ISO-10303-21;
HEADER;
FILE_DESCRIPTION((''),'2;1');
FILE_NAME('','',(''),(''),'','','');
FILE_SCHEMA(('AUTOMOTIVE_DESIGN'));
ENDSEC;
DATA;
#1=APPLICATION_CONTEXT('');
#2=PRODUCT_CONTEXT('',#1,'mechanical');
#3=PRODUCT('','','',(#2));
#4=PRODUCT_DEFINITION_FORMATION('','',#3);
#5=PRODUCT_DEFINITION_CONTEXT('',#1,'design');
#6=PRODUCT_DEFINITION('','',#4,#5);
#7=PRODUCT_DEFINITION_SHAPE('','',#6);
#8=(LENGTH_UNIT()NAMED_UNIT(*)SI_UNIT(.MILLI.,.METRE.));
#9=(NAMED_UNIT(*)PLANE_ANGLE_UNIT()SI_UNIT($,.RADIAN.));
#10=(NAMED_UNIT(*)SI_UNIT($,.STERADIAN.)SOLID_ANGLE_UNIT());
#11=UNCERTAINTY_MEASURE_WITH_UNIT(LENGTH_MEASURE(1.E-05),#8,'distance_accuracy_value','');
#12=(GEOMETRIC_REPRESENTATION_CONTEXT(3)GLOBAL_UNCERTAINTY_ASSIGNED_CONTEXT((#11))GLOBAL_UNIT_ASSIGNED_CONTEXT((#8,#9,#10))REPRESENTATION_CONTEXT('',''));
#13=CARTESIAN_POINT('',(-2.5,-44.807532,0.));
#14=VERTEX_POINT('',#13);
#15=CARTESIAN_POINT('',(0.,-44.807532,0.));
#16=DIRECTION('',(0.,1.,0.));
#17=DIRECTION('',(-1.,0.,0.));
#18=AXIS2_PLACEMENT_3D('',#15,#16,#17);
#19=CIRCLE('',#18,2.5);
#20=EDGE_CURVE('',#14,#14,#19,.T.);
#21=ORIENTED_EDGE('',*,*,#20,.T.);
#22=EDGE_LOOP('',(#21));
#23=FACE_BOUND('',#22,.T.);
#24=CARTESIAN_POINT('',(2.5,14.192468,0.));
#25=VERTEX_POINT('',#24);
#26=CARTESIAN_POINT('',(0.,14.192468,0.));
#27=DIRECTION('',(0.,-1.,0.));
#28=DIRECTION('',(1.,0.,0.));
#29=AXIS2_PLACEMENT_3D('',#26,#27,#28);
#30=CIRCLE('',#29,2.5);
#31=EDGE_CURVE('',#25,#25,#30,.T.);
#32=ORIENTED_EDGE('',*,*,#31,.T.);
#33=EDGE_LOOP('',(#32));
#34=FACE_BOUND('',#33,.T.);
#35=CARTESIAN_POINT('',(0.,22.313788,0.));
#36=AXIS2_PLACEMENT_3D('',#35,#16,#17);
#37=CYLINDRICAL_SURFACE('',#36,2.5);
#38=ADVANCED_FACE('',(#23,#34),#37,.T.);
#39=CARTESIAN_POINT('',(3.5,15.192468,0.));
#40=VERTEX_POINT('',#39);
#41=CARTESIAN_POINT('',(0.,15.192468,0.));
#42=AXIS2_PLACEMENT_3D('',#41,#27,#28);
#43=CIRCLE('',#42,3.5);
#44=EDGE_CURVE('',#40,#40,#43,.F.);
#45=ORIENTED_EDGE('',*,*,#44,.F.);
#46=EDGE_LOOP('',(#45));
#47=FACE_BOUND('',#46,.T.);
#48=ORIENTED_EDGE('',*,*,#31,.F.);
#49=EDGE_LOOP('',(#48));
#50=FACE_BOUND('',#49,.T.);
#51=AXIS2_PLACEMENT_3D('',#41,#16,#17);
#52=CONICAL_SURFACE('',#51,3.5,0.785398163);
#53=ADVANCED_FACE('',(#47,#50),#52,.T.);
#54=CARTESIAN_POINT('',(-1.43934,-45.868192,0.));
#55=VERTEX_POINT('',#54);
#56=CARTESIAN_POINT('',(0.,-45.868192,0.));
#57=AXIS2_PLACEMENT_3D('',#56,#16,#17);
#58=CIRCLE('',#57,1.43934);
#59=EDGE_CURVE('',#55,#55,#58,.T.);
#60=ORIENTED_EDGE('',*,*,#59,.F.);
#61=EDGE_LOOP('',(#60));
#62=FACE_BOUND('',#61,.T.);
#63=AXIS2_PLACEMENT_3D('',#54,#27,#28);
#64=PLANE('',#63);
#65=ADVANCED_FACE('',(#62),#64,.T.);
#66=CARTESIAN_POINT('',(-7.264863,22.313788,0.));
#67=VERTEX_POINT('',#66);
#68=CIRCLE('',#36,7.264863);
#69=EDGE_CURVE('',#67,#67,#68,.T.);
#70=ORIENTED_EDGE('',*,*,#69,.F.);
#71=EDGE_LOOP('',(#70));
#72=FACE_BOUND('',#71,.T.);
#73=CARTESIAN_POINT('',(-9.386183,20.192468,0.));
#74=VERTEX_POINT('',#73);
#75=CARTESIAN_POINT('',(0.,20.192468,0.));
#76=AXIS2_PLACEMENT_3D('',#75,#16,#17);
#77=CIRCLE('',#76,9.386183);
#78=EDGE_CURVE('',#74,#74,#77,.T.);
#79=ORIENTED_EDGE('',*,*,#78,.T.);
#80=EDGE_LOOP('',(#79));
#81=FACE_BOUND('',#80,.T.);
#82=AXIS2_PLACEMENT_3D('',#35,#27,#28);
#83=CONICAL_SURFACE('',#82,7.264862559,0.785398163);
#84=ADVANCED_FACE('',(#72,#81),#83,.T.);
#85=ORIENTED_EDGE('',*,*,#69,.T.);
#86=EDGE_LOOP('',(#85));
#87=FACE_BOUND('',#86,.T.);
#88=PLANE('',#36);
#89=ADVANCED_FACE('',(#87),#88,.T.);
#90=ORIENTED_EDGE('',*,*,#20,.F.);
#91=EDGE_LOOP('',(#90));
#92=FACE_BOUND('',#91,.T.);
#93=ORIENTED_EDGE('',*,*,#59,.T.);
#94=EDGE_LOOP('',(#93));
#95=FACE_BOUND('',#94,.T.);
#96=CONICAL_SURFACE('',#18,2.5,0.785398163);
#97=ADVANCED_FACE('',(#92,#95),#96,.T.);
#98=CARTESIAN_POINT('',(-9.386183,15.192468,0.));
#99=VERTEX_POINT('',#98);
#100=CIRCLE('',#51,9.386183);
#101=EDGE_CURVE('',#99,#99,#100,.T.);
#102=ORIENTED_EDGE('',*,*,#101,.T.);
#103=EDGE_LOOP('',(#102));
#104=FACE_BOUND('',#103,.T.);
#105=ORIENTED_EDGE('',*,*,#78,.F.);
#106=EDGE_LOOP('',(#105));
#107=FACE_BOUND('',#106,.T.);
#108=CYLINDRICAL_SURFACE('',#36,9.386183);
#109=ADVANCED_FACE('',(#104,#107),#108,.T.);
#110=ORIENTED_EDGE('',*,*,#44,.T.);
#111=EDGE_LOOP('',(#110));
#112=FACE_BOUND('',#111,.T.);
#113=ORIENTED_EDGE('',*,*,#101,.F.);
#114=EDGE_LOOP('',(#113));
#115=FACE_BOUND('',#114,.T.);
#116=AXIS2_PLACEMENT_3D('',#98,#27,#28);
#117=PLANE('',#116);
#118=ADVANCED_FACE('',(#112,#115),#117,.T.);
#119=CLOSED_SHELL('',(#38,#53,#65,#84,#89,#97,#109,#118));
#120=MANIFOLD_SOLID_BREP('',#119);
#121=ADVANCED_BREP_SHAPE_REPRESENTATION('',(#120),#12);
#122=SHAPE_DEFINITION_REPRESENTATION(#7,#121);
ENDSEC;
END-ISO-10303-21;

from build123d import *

# Parameters (mm, degrees)
CHAMFER3_SIZE = 1


with BuildPart() as part:
    # Sketch2 → Revolve1 (revolve)
    with BuildSketch(Plane.XY):
        Polygon((0, 22.313788144), (-7.264862559, 22.313788144), (-9.386182903, 20.192467801), (-9.386182903, 15.192467801), (-2.5, 15.192467801), (-2.5, -44.807532199), (-1.439339828, -45.868192371), (0, -45.868192371), align=None)
    revolve(axis=Axis((0, 22.313788144, 0), (0, -1, 0)))

    # Chamfer3
    chamfer3_edges = [part.edges().sort_by_distance(p)[0] for p in [
        (2.5, 15.192467801, 0),
    ]]
    chamfer(chamfer3_edges, length=CHAMFER3_SIZE)


solid = part.part
